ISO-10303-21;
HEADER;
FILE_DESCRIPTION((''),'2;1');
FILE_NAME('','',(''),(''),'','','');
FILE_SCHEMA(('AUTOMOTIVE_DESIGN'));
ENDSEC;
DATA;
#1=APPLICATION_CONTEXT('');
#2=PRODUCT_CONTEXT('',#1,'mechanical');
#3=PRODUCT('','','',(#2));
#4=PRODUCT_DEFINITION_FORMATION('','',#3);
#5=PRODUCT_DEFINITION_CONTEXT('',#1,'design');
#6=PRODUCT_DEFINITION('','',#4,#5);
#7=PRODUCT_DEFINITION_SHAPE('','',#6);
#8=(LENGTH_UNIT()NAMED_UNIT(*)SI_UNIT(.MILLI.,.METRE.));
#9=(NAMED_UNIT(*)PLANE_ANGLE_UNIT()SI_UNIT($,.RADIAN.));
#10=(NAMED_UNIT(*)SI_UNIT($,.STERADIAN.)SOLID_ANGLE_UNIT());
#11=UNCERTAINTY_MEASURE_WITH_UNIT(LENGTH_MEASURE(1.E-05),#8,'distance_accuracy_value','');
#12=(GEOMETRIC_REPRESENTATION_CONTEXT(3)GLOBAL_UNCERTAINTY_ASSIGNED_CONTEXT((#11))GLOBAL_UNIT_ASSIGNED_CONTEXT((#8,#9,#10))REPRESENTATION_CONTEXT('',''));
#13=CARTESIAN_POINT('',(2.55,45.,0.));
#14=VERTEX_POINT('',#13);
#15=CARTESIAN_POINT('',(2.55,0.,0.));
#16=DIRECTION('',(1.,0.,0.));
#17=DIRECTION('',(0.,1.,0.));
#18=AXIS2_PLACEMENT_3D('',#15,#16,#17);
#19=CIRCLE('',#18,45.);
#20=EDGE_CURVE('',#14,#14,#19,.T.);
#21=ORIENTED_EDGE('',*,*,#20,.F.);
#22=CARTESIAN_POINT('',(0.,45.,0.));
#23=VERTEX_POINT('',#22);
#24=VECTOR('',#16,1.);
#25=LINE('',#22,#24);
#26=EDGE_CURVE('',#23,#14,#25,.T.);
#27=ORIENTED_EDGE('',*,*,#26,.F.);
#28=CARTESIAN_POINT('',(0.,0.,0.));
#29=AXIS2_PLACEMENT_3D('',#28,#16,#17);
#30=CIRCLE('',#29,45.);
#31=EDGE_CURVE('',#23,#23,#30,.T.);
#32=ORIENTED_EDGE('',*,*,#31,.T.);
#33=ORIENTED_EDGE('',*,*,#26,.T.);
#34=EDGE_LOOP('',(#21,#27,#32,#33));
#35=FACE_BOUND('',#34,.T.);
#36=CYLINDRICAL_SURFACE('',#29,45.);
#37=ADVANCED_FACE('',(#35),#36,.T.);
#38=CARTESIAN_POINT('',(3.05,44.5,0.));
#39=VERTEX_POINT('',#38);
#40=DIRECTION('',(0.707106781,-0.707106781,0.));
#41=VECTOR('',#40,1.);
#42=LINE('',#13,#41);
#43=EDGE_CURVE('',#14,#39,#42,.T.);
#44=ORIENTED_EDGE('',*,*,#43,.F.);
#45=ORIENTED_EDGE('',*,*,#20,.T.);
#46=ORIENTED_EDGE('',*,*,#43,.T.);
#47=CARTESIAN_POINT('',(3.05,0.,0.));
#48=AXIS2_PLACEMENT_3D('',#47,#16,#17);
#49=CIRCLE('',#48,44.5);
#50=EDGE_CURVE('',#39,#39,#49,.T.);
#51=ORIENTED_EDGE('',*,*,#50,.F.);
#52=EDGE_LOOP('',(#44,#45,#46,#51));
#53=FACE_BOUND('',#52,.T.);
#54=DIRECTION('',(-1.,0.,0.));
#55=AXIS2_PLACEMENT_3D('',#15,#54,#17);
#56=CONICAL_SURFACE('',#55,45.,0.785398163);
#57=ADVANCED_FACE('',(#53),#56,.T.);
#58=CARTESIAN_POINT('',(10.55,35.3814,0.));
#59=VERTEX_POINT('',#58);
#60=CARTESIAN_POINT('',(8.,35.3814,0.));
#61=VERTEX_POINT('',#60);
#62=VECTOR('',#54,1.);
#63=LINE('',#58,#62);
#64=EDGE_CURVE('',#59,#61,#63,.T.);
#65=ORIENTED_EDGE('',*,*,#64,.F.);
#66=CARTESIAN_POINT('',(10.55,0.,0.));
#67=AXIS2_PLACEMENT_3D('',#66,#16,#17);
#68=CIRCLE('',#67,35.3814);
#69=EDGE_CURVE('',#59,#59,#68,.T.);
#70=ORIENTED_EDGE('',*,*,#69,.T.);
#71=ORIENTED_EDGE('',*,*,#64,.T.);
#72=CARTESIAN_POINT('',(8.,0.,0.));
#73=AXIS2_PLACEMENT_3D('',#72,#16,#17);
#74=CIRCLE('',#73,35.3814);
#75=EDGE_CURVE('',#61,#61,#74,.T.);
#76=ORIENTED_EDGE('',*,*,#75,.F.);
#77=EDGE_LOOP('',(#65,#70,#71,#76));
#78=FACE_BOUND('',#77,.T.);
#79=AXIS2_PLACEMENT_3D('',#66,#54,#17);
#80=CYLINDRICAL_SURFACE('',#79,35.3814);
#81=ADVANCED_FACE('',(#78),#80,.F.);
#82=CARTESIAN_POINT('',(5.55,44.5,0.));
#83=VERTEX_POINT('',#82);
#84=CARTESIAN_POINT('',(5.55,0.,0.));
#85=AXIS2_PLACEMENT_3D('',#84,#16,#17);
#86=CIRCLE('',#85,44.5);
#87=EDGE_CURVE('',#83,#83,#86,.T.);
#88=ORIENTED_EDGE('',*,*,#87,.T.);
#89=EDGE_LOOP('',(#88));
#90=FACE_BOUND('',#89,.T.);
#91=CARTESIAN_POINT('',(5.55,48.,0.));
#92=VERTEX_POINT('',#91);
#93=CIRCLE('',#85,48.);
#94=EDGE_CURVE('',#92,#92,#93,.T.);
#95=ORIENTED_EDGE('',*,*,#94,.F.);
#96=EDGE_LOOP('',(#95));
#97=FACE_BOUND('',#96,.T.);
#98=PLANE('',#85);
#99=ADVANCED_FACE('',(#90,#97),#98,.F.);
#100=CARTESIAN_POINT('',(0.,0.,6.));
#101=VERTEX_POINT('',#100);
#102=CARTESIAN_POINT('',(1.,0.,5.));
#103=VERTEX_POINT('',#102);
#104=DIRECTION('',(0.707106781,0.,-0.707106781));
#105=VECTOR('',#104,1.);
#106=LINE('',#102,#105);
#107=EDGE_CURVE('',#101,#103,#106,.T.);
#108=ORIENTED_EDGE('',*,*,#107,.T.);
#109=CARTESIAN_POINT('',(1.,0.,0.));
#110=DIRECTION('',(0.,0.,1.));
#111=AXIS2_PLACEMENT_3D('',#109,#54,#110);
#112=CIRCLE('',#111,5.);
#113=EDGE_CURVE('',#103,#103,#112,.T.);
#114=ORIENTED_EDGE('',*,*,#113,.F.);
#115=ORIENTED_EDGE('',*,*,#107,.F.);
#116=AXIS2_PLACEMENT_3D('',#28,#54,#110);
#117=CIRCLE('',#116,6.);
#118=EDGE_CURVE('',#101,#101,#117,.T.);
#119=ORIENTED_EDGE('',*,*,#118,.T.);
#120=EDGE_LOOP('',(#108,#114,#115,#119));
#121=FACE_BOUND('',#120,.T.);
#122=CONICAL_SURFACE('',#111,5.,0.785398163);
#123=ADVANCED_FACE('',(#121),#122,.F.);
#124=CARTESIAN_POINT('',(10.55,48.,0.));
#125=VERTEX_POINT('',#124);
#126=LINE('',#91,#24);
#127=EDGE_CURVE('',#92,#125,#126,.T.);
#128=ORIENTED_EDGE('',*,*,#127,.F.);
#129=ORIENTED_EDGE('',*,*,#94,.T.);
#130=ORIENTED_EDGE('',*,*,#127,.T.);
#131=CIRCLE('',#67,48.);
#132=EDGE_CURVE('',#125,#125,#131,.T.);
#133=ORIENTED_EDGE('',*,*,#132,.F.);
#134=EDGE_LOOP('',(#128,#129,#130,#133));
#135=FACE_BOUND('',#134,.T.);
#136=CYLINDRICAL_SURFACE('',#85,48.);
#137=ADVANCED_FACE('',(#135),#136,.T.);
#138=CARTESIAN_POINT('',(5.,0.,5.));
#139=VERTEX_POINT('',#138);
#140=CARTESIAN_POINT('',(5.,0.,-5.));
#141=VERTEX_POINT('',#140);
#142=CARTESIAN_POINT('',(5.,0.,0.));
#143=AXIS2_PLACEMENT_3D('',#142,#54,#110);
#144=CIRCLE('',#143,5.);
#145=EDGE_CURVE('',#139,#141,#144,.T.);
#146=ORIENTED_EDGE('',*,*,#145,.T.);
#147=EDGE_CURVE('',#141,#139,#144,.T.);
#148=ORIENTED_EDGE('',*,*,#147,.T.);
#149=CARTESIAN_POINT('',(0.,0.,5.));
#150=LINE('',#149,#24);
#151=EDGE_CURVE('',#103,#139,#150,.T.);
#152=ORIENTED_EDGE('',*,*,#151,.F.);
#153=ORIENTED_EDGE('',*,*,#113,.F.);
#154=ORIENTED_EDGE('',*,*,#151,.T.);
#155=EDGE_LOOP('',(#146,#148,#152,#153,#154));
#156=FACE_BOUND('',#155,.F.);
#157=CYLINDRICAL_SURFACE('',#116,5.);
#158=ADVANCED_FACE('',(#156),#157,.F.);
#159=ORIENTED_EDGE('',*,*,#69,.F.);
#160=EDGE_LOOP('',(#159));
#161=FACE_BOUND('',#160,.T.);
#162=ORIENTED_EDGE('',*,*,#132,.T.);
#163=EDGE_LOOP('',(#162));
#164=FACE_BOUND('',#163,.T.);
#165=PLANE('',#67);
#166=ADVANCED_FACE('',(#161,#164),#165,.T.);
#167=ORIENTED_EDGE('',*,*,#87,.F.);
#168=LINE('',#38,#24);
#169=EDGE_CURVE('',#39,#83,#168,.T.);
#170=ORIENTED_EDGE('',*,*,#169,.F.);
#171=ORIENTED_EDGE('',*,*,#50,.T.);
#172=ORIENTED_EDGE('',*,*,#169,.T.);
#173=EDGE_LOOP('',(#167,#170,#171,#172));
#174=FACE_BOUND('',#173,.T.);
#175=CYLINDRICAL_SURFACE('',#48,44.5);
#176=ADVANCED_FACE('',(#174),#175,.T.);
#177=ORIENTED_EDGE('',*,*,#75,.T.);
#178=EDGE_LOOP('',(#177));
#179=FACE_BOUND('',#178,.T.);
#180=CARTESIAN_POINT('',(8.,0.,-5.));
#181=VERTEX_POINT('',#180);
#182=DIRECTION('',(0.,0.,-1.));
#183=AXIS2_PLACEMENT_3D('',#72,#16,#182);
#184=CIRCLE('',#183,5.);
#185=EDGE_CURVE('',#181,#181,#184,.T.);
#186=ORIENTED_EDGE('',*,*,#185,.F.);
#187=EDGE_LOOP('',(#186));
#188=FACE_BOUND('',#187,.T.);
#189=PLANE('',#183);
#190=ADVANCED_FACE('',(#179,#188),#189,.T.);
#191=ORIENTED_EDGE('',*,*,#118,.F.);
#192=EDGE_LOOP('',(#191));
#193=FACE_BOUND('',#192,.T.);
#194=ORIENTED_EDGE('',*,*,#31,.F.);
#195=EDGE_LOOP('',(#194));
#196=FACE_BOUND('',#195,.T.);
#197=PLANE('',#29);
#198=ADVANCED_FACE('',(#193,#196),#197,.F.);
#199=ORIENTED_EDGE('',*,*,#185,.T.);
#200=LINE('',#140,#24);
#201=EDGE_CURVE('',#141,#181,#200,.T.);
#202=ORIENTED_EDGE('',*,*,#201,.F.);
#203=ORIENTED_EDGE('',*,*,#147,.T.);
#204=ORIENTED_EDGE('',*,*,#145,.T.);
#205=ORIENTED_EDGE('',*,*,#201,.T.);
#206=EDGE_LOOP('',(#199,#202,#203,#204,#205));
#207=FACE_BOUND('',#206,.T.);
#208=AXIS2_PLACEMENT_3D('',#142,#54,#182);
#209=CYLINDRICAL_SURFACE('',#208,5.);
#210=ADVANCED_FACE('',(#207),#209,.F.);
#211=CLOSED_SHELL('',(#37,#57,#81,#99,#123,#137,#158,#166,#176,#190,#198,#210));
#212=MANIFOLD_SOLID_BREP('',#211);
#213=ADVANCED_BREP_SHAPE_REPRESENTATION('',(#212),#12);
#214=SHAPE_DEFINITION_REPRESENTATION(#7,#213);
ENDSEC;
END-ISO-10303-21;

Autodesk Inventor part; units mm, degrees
ref_plane "YZ Plane" through (0, 0, 0) normal (1, 0, 0) x (0, 1, 0)
ref_plane "XZ Plane" through (0, 0, 0) normal (0, 1, 0) x (-1, 0, 0)
ref_plane "XY Plane" through (0, 0, 0) normal (0, 0, 1) x (1, 0, 0)
sketch "Эскиз1" plane through (0, 0, 0) normal (0, 0, 1) x (1, 0, 0)
  line L0 (0, 0) -> (6.2046, 0)
  line L1 (0, 0) -> (0, 45)
  line L2 (0, 45) -> (2.55, 45)
  line L3 (2.55, 45) -> (3.05, 44.5)
  line L4 (3.05, 44.5) -> (5.55, 44.5)
  line L5 (5.55, 44.5) -> (5.55, 48)
  line L6 (5.55, 48) -> (10.55, 48)
  line L7 (10.55, 48) -> (10.55, 35.3814)
  line L8 (10.55, 35.3814) -> (5, 35.3814)
  line L9 (5, 35.3814) -> (5, 0)
  line L10 (0, 0) -> (5, 0)
  dimension "d0" = 45
  dimension "d1" = 0.5
  dimension "d2" = 90
  dimension "d3" = 10.55
  dimension "d4" = 5
  dimension "d6" = 3
  dimension "d7" = 2.5
  dimension "d8" = 5
revolve "Вращение1" add sketch "Эскиз1" angle 360 about axis through (0, 0, 0) along (1, 0, 0)
sketch "Эскиз2" plane through (0, 0, 0) normal (-1, 0, 0) x (0, 0, 1)
  circle A0 centre (0, 0) radius 5
  dimension "d10" = 10
extrude "Выдавливание1" cut sketch "Эскиз2" against normal through all
thread "Резьба1" size "M10x0.5" class "6H" standard "ANSI Metric M Profile" length 10
chamfer "Фаска1" distance 1 angle 45 1 edges at (0, 0, -5)
sketch "Эскиз3" plane through (5, 0, 0) normal (1, 0, 0) x (0, 0, -1)
  circle A0 centre (0, 0) radius 5 projected
  circle A1 centre (0, 0) radius 35.3814
extrude "Выдавливание2" add sketch "Эскиз3" along normal blind 3
properties part number "Крышка тих"
